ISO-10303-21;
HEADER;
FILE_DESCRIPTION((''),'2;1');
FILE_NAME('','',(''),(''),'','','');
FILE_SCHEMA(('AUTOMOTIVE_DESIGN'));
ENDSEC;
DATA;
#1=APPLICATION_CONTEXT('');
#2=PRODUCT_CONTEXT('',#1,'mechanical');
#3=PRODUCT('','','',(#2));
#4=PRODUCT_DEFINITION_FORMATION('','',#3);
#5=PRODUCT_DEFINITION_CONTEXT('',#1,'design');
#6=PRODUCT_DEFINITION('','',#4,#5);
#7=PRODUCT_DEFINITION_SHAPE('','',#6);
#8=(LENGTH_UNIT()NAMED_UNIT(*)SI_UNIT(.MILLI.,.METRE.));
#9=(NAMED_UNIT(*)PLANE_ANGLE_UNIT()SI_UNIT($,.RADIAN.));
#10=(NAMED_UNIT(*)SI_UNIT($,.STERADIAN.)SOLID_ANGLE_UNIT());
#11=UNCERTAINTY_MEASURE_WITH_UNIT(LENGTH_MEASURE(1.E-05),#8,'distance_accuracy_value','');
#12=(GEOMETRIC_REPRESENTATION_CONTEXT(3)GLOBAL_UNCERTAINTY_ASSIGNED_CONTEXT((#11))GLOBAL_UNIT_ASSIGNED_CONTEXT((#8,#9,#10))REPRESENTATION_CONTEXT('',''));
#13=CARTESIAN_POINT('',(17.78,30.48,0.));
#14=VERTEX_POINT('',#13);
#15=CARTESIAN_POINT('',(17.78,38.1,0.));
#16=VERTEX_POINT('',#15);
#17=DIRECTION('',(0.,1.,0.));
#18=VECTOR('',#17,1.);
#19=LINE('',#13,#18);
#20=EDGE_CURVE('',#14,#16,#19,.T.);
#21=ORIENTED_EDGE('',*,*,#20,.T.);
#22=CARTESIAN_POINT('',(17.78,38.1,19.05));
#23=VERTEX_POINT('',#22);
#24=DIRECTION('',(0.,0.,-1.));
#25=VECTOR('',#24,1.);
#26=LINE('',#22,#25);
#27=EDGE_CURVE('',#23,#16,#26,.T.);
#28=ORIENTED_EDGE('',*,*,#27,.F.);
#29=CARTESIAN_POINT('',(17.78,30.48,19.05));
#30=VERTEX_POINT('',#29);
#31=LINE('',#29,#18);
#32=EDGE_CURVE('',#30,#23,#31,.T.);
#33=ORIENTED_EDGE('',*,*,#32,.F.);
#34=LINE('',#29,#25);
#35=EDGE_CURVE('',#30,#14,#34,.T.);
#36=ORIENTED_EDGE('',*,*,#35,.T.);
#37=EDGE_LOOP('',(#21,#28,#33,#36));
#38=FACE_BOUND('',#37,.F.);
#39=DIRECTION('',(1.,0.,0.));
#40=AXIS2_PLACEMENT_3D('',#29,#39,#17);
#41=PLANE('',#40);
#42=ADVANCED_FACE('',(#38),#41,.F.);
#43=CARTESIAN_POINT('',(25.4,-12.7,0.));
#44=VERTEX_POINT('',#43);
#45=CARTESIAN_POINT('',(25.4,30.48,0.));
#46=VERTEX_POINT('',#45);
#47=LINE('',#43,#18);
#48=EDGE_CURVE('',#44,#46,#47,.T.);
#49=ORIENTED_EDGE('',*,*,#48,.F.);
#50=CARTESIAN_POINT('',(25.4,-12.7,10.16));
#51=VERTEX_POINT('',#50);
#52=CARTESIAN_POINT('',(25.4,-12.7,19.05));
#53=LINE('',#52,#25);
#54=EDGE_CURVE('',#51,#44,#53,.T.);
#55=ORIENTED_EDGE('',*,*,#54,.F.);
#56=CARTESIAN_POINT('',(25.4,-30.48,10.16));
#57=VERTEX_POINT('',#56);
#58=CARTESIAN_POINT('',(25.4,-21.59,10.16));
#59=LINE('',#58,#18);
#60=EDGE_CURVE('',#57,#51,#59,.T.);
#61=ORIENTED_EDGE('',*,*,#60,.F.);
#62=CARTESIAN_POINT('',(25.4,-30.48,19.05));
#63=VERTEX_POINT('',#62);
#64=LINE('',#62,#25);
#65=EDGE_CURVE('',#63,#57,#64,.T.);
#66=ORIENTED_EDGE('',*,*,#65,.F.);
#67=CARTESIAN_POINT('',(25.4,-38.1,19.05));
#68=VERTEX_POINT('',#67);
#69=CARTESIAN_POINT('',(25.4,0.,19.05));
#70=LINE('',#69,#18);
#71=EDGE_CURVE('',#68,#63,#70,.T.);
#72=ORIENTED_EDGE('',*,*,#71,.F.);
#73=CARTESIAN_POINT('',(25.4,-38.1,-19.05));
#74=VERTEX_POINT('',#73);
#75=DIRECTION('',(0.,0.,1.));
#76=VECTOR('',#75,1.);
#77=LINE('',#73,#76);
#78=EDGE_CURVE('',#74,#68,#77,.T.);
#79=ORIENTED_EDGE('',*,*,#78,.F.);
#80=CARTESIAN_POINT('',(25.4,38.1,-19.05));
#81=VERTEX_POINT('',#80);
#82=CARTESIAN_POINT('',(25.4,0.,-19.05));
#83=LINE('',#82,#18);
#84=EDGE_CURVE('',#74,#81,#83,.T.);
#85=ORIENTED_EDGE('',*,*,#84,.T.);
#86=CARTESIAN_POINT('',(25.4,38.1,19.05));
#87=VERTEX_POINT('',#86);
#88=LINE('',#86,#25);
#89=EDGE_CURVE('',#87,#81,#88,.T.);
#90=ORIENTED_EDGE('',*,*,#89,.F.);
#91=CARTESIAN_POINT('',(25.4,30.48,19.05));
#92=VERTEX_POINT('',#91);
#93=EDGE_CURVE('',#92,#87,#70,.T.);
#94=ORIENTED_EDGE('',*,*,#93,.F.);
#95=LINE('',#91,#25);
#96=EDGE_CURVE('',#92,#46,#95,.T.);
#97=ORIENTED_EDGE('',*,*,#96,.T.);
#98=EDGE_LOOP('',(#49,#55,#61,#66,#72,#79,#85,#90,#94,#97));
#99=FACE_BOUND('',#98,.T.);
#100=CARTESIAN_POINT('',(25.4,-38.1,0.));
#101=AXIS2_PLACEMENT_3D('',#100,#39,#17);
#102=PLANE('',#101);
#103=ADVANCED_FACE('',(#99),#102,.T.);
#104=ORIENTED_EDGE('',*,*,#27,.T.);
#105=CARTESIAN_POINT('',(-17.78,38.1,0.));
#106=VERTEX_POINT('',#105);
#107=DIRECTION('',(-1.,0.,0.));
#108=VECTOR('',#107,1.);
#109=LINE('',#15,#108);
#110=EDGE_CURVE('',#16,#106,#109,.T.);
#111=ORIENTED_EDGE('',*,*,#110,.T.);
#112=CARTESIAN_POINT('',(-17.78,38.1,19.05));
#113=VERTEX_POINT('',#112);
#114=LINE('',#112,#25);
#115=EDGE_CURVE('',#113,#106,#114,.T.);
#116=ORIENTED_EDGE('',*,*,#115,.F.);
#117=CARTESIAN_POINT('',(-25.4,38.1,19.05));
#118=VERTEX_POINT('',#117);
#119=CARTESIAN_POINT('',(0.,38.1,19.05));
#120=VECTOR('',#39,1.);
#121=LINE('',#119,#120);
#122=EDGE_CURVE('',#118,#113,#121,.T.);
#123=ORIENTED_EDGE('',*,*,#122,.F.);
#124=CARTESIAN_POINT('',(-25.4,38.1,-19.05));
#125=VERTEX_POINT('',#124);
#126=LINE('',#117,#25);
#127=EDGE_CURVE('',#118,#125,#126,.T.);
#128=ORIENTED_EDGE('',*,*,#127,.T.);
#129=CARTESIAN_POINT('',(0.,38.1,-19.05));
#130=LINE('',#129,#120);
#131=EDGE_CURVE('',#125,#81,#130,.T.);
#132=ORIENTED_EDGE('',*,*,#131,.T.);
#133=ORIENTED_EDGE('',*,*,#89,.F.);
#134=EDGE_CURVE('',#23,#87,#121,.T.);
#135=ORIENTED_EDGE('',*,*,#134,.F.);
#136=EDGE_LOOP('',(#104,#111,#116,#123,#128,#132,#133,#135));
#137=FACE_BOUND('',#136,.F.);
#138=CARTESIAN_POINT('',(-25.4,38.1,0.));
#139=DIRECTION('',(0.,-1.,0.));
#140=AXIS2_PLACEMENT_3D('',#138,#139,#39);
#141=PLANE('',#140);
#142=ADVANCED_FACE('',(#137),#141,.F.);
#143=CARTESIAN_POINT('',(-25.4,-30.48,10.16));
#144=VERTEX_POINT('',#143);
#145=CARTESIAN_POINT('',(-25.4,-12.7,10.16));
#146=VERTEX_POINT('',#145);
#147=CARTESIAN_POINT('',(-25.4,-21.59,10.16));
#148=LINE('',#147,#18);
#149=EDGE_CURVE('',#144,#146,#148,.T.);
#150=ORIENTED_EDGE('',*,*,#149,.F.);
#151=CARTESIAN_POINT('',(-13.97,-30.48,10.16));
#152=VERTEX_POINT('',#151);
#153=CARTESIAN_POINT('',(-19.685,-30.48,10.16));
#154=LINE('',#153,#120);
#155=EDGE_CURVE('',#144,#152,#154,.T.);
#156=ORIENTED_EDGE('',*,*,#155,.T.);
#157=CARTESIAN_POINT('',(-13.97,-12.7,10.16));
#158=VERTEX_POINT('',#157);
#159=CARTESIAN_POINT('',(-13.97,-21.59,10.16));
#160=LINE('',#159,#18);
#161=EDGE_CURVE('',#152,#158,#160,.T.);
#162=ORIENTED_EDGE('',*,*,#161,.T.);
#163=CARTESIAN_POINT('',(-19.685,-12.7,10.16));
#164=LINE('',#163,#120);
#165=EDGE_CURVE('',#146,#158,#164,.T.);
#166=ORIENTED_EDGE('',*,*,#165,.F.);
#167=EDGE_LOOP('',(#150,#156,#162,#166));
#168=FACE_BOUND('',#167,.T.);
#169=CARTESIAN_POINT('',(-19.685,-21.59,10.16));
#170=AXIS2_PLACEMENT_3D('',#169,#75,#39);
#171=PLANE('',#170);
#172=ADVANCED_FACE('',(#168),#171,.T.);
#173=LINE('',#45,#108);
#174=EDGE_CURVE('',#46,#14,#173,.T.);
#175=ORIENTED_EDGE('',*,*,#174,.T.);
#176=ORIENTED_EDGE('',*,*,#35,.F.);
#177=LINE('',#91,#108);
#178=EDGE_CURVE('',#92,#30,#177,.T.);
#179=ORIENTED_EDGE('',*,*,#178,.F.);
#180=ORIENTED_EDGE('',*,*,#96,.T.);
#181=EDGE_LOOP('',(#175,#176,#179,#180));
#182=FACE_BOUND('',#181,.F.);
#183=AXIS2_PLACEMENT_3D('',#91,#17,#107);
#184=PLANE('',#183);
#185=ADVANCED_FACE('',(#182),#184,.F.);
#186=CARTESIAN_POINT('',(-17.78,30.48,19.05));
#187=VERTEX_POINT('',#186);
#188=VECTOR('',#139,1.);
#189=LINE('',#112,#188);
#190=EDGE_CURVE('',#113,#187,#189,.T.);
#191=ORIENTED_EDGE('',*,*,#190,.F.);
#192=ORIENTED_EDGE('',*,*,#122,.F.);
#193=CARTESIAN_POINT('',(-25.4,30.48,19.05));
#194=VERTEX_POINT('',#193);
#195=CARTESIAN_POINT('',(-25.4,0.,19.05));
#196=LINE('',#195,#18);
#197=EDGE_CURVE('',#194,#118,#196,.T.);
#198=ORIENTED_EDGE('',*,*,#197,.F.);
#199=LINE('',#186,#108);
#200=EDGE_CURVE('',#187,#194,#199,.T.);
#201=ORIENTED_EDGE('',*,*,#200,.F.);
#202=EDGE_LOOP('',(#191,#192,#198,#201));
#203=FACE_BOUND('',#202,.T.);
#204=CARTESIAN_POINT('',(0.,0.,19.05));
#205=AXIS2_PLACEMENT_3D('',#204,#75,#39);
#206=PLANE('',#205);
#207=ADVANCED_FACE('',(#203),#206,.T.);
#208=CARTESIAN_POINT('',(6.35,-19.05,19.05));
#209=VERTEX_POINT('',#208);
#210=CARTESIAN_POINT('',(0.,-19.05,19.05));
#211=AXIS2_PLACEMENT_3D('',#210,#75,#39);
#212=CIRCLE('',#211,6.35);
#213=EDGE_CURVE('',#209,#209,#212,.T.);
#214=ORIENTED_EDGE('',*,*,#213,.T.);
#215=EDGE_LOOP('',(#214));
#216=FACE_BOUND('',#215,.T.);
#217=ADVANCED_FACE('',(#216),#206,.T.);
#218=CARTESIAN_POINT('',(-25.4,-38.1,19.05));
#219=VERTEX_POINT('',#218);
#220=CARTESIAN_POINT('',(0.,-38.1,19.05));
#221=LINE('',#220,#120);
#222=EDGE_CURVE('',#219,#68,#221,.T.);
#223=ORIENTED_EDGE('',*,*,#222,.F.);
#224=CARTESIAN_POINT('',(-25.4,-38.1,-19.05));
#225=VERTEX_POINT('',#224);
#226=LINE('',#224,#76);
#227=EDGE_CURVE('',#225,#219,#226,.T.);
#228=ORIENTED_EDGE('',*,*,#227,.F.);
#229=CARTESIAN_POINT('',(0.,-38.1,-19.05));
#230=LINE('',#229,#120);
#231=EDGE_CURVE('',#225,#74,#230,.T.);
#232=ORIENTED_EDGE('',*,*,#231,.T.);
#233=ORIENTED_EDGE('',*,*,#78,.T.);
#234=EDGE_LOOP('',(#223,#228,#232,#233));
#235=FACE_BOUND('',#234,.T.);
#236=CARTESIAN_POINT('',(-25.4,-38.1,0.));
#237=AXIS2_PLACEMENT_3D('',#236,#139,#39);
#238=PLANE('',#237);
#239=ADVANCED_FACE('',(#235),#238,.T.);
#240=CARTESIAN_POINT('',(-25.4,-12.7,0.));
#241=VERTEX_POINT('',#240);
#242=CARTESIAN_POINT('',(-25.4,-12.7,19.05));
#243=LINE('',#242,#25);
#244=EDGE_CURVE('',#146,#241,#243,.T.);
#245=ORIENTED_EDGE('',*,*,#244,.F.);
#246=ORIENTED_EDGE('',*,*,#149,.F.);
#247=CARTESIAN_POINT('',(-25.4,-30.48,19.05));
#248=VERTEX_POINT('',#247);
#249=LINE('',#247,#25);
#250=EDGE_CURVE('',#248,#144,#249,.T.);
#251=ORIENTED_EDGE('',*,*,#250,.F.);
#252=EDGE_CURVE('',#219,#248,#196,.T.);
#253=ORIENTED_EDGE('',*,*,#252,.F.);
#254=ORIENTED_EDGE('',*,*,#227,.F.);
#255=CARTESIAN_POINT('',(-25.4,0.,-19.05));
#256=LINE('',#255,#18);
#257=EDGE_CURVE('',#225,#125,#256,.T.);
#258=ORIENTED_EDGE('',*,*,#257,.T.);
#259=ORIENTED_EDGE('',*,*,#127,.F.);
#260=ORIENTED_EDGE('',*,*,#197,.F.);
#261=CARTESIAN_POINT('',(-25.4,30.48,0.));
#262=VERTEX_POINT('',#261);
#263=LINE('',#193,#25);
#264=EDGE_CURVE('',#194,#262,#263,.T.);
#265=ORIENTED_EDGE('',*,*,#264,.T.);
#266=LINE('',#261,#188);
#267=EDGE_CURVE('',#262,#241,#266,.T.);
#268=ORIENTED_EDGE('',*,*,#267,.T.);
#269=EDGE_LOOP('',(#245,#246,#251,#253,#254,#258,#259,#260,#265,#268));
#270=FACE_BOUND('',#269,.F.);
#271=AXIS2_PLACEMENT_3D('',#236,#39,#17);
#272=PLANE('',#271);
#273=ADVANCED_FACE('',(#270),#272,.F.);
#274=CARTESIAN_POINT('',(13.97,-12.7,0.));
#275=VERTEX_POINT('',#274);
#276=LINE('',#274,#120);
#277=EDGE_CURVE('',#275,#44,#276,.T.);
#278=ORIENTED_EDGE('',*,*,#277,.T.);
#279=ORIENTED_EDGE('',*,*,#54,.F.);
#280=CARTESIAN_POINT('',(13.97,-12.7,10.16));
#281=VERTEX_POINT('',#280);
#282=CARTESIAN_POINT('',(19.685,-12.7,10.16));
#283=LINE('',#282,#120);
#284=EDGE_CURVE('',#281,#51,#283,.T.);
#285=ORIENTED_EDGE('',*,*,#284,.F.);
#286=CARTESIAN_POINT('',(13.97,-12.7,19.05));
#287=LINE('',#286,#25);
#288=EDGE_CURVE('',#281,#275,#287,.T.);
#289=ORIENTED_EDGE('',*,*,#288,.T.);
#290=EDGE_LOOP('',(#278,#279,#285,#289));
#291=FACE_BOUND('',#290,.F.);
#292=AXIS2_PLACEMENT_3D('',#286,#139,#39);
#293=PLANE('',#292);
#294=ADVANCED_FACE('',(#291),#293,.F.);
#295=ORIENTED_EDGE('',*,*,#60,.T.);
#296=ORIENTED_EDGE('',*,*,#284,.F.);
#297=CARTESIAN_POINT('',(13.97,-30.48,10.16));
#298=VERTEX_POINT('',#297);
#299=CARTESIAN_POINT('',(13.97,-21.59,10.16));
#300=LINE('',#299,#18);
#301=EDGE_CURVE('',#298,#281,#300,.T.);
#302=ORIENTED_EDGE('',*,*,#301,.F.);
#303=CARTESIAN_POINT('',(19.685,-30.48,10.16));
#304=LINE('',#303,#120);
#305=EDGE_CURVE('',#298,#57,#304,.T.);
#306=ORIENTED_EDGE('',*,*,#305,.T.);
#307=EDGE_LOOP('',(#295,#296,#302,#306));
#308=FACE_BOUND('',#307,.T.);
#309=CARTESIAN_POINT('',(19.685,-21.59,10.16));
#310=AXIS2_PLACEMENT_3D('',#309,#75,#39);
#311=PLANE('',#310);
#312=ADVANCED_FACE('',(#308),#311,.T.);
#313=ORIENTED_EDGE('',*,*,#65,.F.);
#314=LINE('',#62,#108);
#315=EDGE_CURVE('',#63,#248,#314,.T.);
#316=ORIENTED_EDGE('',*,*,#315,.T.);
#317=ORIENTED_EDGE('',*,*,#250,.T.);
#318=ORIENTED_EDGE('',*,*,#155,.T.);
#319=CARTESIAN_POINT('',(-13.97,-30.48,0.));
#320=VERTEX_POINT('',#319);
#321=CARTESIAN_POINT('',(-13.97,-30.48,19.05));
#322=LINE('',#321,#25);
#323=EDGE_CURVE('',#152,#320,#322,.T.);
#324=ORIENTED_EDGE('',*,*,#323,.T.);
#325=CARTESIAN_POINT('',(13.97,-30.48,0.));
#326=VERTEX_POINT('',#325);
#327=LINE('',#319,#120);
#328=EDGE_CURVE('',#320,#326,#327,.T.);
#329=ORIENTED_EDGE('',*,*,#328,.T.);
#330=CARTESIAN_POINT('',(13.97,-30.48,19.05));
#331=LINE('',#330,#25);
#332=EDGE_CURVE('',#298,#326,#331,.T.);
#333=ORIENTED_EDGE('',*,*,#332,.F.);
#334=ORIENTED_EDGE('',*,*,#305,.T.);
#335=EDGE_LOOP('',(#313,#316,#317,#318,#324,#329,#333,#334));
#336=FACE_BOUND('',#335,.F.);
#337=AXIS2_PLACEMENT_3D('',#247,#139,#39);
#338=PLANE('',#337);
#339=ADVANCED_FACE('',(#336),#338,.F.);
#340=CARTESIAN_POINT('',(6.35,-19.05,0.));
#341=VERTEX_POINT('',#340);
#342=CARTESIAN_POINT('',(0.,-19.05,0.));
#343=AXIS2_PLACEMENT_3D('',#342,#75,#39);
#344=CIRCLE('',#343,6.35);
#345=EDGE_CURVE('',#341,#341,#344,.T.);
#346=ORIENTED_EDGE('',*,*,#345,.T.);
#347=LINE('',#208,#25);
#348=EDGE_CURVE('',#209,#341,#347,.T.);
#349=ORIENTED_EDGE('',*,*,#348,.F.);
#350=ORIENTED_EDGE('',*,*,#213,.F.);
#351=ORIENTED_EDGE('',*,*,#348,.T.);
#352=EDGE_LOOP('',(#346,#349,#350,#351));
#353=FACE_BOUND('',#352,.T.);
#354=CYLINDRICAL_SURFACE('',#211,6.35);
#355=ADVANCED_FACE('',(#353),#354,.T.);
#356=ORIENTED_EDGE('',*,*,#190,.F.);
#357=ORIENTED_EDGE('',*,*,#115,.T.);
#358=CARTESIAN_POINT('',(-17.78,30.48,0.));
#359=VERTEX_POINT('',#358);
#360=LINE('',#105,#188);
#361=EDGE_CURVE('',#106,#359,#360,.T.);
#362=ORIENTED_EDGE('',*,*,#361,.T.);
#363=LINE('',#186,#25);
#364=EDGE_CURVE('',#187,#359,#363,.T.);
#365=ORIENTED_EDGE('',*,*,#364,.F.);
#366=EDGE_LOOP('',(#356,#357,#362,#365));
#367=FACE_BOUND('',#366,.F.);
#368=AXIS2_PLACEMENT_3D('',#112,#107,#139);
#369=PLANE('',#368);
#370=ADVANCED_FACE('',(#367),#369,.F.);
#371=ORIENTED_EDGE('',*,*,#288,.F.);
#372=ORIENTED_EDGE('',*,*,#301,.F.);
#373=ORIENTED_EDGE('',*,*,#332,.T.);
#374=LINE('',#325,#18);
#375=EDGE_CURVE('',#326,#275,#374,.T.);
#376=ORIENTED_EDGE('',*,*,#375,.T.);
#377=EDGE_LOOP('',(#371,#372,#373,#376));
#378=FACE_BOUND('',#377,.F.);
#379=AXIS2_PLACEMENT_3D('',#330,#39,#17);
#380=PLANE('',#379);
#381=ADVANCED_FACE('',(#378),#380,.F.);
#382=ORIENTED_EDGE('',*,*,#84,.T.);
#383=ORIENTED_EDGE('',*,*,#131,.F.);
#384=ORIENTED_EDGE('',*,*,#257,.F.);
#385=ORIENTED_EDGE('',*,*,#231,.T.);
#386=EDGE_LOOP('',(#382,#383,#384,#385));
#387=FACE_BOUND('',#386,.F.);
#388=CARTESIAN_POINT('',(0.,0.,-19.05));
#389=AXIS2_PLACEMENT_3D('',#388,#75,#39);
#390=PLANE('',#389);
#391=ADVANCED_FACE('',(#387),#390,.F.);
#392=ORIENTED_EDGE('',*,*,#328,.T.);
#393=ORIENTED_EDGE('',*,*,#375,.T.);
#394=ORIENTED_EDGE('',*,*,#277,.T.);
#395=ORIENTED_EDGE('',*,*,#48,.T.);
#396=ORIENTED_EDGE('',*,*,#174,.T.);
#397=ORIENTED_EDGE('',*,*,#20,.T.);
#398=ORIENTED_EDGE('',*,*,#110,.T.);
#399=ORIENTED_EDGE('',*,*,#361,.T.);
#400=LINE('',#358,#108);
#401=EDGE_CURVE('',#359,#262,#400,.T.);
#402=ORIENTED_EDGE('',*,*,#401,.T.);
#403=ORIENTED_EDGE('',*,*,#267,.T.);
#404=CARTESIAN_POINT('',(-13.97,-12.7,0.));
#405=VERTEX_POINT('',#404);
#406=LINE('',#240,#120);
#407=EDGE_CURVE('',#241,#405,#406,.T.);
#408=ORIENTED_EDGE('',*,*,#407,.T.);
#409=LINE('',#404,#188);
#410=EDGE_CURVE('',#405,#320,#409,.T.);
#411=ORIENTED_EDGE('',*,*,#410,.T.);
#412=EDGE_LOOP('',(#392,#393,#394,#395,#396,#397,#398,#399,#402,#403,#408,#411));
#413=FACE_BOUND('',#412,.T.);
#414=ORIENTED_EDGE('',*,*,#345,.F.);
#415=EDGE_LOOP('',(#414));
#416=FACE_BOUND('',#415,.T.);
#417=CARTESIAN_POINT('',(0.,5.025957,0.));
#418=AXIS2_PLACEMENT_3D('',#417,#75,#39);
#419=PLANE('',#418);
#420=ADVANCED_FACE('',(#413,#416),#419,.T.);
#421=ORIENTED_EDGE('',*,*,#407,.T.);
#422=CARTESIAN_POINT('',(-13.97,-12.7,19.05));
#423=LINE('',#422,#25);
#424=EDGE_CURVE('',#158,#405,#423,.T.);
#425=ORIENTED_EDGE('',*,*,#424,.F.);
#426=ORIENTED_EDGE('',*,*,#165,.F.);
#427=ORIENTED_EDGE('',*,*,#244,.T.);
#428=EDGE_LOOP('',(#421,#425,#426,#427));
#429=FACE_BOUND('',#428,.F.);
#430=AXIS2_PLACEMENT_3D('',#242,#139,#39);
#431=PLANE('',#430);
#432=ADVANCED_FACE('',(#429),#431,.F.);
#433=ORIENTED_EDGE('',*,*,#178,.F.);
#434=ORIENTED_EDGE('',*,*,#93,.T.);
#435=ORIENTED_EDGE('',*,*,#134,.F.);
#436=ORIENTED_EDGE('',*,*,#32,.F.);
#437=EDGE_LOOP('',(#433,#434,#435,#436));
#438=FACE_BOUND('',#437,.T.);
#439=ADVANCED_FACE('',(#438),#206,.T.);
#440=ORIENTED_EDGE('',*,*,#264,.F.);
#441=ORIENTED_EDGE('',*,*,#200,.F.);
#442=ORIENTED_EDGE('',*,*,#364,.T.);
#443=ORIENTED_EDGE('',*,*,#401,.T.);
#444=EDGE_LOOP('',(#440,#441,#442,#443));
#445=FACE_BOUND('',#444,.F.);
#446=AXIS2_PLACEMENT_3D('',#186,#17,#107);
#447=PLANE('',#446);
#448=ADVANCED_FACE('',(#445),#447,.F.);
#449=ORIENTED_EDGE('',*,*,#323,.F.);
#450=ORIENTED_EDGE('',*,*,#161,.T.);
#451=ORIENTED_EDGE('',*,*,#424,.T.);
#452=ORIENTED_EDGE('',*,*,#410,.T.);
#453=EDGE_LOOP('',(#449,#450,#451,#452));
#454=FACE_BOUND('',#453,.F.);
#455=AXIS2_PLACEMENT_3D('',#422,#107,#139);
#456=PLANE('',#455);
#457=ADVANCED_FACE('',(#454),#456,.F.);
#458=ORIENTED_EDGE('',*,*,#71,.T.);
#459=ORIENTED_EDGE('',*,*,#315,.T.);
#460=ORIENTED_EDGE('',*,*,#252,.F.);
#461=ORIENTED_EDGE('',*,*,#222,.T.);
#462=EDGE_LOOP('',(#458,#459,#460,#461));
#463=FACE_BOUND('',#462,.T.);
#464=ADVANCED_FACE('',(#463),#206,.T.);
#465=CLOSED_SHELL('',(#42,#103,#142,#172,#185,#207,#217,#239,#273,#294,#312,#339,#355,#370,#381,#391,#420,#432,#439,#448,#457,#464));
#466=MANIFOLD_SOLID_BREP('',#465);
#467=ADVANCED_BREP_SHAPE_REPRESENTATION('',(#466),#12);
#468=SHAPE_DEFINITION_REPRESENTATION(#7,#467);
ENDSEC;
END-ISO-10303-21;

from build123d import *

# Parameters (mm, degrees)
F0_W     = 50.8
F0_H     = 76.2
F1_DEPTH = 19.05
F3_R     = 6.35
F4_DEPTH = 19.05
F2_W     = 11.43
F2_H     = 17.78
F5_DEPTH = 8.89


with BuildPart() as f1:
    # F0 (on Top) → F1 (new body, symmetric)
    with BuildSketch(Plane.XY):
        Rectangle(F0_W, F0_H)
    extrude(amount=F1_DEPTH, both=True)

    # F3 (on face) → F4 (cut)
    with BuildSketch(Plane.XY.offset(19.05)):
        Polygon((-17.78, 38.1), (-17.78, 30.48), (-25.4, 30.48), (-25.4, -12.7), (-13.97, -12.7), (-13.97, -30.48), (13.97, -30.48), (13.97, -12.7), (25.4, -12.7), (25.4, 30.48), (17.78, 30.48), (17.78, 38.1), align=None)
        with Locations((0, -19.05)):
            Circle(F3_R, mode=Mode.SUBTRACT)
    extrude(amount=-F4_DEPTH, mode=Mode.SUBTRACT)

    # F2 (on face) → F5 (cut)
    with BuildSketch(Plane.XY.offset(19.05)):
        with Locations((19.685, -21.59)):
            Rectangle(F2_W, F2_H)
        with Locations((-19.685, -21.59)):
            Rectangle(F2_W, F2_H)
    extrude(amount=-F5_DEPTH, mode=Mode.SUBTRACT)


solid = f1.part
